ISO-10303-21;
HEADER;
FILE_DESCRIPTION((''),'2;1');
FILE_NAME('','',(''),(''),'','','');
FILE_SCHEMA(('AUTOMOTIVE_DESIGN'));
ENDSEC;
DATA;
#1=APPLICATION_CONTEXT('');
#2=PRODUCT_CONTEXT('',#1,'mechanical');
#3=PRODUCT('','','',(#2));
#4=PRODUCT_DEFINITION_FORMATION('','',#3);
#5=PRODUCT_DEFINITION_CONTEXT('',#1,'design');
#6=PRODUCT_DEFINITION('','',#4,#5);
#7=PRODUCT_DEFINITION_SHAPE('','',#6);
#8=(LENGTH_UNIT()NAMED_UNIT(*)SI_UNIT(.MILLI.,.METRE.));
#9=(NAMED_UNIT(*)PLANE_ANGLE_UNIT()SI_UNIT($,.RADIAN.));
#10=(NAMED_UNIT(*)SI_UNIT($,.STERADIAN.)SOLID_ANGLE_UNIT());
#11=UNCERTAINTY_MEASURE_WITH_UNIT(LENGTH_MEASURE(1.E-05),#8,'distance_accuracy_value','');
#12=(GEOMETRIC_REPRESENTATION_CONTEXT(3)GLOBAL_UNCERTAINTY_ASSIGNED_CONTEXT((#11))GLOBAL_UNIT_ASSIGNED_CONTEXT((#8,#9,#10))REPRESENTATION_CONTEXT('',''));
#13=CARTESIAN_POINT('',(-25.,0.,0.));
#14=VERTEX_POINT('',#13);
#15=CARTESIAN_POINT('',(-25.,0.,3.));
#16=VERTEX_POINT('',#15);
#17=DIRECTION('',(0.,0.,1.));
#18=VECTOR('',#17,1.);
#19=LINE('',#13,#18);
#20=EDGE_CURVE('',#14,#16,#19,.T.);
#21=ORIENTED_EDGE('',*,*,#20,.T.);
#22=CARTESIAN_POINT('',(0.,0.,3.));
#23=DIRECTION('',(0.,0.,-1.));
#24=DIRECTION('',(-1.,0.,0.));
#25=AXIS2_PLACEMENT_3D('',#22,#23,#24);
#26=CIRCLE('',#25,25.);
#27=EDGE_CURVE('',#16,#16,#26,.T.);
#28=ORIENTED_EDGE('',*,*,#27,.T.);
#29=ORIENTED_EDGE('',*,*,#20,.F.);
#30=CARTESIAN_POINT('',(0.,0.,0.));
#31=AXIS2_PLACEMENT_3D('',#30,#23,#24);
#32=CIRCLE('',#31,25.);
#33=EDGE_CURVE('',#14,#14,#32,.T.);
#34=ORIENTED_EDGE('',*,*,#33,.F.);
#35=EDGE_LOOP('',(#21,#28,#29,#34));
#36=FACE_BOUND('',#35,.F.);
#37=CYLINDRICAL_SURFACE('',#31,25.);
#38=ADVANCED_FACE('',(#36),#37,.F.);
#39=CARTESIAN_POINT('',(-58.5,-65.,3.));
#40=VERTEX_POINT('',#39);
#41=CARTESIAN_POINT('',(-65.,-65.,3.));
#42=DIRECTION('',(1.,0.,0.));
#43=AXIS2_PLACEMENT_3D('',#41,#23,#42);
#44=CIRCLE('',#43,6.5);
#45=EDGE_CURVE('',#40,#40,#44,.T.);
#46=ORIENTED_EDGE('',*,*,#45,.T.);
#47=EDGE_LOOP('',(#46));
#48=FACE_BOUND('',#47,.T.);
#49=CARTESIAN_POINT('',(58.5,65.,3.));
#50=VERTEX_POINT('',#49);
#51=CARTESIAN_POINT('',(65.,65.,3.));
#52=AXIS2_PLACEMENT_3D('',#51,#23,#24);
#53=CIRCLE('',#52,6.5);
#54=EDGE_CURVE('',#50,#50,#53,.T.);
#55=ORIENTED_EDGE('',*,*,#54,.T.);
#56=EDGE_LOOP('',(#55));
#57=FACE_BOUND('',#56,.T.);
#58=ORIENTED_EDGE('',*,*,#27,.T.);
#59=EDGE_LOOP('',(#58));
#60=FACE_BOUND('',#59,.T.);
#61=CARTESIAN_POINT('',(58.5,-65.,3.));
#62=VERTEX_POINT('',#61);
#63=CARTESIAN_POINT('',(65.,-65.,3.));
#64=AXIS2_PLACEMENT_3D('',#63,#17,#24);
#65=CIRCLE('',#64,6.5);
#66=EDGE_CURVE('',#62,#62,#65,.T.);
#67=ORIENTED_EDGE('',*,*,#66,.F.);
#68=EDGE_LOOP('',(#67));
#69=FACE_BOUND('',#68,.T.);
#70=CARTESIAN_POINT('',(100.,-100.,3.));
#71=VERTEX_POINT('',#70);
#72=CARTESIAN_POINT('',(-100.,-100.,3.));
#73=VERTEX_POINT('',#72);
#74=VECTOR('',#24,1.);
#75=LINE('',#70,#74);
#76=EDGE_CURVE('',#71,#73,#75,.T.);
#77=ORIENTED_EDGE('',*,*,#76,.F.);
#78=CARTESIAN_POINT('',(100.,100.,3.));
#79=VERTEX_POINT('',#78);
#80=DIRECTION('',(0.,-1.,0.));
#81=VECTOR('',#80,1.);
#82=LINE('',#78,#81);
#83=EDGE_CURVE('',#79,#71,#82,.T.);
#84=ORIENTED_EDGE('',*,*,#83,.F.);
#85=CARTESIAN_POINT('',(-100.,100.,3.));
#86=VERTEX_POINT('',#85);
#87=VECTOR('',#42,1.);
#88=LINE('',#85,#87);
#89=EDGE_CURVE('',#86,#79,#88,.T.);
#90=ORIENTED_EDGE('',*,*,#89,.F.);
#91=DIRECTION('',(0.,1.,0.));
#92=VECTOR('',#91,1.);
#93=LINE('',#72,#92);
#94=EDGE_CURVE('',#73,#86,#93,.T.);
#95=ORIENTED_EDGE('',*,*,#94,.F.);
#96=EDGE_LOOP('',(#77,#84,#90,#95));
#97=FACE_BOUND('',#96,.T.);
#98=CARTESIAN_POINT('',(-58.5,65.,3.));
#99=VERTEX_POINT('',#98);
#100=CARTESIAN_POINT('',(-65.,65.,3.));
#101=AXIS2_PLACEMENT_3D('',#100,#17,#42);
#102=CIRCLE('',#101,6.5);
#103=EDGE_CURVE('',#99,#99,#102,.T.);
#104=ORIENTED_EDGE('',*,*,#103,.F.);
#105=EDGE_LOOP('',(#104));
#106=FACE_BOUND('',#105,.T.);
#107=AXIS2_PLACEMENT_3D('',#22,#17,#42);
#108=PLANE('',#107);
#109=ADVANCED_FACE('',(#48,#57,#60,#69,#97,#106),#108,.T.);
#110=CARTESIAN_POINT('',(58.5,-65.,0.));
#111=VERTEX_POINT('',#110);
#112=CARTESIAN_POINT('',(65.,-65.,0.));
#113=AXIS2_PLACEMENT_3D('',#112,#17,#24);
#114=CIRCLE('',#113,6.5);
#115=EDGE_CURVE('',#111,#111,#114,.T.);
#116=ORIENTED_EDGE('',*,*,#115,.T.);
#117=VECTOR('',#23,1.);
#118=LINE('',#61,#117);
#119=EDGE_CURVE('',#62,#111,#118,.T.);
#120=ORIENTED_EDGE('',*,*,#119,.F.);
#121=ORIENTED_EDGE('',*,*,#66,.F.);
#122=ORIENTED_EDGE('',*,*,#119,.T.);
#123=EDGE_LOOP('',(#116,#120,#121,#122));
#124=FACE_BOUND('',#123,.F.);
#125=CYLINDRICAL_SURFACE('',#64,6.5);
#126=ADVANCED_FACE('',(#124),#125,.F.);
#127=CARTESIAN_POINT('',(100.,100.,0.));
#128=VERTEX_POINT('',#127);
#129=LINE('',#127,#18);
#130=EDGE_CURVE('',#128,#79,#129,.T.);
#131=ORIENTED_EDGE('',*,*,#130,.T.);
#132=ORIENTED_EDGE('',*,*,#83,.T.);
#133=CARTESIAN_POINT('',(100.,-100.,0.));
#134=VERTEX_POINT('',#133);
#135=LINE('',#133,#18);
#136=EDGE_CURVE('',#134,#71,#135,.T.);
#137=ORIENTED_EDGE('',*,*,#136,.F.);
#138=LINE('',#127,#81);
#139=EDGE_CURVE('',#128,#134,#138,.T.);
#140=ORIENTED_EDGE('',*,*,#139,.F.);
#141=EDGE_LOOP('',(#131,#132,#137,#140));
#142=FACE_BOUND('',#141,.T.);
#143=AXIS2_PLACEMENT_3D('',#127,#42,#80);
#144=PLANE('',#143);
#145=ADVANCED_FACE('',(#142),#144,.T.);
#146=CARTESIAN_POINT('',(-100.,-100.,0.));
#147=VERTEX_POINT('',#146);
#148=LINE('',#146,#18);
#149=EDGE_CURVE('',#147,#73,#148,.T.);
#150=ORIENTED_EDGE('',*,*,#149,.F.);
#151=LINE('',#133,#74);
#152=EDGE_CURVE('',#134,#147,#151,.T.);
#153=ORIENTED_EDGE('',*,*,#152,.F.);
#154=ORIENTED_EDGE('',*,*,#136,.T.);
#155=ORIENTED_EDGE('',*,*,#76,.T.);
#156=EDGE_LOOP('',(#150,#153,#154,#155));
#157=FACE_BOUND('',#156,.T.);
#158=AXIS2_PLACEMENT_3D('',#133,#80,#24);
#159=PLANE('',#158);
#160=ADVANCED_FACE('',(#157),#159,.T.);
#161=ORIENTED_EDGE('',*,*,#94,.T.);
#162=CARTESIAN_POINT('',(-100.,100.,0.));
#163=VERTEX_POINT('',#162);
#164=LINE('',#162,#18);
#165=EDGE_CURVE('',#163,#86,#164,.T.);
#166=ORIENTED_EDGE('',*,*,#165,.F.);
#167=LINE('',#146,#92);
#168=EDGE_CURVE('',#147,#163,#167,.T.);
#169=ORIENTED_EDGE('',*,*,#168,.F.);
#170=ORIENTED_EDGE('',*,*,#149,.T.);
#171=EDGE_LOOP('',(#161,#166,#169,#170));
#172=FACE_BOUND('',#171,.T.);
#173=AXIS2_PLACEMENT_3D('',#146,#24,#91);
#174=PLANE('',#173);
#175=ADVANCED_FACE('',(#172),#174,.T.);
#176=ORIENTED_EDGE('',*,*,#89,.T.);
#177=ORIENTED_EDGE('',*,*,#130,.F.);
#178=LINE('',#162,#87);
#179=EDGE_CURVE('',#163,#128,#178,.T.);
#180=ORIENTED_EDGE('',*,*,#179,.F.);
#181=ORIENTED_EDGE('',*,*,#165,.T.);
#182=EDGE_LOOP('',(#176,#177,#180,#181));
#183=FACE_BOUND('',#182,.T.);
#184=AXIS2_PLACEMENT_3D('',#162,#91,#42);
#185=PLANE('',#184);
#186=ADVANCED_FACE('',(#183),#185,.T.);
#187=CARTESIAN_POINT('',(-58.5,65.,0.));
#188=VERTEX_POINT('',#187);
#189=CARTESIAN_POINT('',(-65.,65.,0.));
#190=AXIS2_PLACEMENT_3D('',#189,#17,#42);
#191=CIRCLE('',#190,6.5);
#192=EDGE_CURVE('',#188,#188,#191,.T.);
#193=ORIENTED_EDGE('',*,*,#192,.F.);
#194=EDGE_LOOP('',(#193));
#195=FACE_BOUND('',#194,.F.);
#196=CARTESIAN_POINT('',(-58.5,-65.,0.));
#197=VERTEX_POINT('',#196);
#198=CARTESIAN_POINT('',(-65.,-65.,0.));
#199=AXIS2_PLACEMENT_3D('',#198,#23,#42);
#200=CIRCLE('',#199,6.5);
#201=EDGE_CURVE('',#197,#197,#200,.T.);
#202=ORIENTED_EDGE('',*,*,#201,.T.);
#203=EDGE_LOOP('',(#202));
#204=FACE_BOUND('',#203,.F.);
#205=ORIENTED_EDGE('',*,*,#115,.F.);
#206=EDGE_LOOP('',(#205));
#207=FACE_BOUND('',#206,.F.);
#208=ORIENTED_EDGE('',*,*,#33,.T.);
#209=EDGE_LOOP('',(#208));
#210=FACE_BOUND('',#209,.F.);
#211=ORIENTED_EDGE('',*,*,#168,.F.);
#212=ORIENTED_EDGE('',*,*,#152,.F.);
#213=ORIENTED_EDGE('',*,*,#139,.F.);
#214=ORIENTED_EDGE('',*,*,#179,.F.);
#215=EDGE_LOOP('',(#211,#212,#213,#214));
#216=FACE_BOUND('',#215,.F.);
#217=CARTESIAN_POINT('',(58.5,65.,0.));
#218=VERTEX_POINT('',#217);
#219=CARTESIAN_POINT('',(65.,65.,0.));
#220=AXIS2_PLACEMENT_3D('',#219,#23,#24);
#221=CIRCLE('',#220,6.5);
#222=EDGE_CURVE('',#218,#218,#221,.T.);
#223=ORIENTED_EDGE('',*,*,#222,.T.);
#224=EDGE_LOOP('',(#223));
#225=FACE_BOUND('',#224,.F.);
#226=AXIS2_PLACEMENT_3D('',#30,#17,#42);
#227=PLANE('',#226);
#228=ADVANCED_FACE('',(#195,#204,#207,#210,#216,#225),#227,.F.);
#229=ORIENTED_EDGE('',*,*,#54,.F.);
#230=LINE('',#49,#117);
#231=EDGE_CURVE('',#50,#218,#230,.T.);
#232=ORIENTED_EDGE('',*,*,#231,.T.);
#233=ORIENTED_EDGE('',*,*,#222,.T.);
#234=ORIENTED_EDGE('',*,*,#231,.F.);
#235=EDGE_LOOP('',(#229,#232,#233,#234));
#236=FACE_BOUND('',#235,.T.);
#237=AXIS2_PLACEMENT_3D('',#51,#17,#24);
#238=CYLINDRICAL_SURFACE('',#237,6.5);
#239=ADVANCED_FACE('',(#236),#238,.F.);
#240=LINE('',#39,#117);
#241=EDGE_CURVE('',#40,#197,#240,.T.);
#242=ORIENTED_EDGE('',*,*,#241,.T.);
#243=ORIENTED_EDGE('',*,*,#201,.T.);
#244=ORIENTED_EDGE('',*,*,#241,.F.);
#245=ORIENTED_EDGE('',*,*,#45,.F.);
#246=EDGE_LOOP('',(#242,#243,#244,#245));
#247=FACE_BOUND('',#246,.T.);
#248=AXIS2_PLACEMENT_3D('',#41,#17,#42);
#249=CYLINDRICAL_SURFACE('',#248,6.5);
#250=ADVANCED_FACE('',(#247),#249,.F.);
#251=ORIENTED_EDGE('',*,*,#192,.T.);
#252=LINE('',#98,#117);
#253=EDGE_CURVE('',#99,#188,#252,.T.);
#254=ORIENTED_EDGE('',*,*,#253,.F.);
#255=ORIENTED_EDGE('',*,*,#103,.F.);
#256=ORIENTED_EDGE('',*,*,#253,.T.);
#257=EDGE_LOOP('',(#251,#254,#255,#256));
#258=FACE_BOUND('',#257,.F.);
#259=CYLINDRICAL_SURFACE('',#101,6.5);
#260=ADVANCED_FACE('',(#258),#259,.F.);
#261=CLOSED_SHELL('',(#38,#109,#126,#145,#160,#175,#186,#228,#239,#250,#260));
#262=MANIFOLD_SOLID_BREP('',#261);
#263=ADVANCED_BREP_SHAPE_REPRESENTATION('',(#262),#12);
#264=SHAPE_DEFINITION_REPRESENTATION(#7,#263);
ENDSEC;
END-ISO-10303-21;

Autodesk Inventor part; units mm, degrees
ref_plane "YZ Plane" through (0, 0, 0) normal (1, 0, 0) x (0, 1, 0)
ref_plane "XZ Plane" through (0, 0, 0) normal (0, 1, 0) x (-1, 0, 0)
ref_plane "XY Plane" through (0, 0, 0) normal (0, 0, 1) x (1, 0, 0)
sketch "Sketch1" plane through (0, 0, 0) normal (0, 0, 1) x (1, 0, 0)
  line L0 (-100, 100) -> (100, 100)
  line L1 (100, 100) -> (100, -100)
  line L2 (100, -100) -> (-100, -100)
  line L3 (-100, -100) -> (-100, 100)
  line L4 (-100, 100) -> (100, -100) construction
  line L5 (100, 100) -> (-100, -100) construction
  point P0 (0, 0)
  point P1 (0, 0)
  point P2 (0, 0)
  dimension "d25" = 200
  dimension "d26" = 200
extrude "Plate1" add sketch "Sketch1" along normal blind 3
sketch "Sketch6" plane through (0, 0, 3) normal (0, 0, 1) x (1, 0, 0)
  circle A0 centre (-75, 0) radius 15
  circle A1 centre (75, 0) radius 15
  line L0 (0, 0) -> (0, 55.0725) construction
  dimension "d37" = 30
  dimension "d38" = 150
cut "Cut1" [suppressed]
sketch "Sketch8" plane through (0, 0, 0) normal (1, 0, 0) x (0, 1, 0)
  line L0 (-94.2929, 40) -> (94.2929, 40) projected
  circle A0 centre (0, 30) radius 6.5
  line L1 (89.2929, 5) -> (-89.2929, 5) projected
  point P0 (0, 0)
  dimension "d48" = 13
  dimension "d49" = 25
extrude "Extrusion3" [suppressed]
pattern_linear "Rectangular Pattern2" [suppressed]
sketch "Sketch9" plane through (0, 0, 3) normal (0, 0, 1) x (1, 0, 0)
  circle A0 centre (-65, 65) radius 6.5
  point P0 (0, 0)
  point P1 (-225, 65)
  dimension "d55" = 13
  dimension "d73" = 65
  dimension "d74" = 65
extrude "Cut2" cut sketch "Sketch9" against normal blind 3
mirror "Mirror1" about plane through (0, 0, 0) normal (1, 0, 0) of "Cut2"
mirror "Mirror2" about plane through (0, 0, 0) normal (0, 1, 0) of "Cut2", "Mirror1"
sketch "Sketch10" plane through (0, 0, 0) normal (0, 0, -1) x (-1, 0, 0)
  circle A0 centre (0, 0) radius 25
  dimension "d75" = 50
extrude "Cut3" cut sketch "Sketch10" against normal blind 3
equation "\"d74\" = d73"
equation "\"d26\" = Гриндер_высота"
equation "\"d38\" = Гриндер_Валы_между_центрами"
equation "\"d39\" = Thickness"
equation "\"d48\" = Гриндер_диам_отврс_корпуса"
equation "\"d49\" = Гриндер_отступ_отврс_корпуса"
equation "\"d55\" = Гриндер_диам_отврс_корпуса"
equation "\"d57\" = Thickness"
equation "\"d76\" = Thickness"
equation "\"d2\" = Thickness"
equation "\"BendReliefWidth\" = Thickness"
equation "\"BendReliefDepth\" = 0.5 * Thickness"
equation "\"CornerReliefSize\" = 4 * Thickness"
equation "\"MinimumRemnant\" = 2 * Thickness"
equation "\"TransitionRadius\" = BendRadius"
equation "\"JacobiRadiusSize\" = BendRadius"
equation "\"GapSize\" = Thickness"
equation "\"Гриндер_отступ_отврс_корпуса\" = 25"
equation "\"Гриндер_диам_отврс_корпуса\" = 13"
equation "\"Гриндер_высота\" = 200"
equation "\"Гриндер_Валы_между_центрами\" = 150"
equation "\"Thickness\" = 3"
equation "\"BendRadius\" = 5"
properties part number "NDM-VOS 777 sredder wall 7" material "Stainless Steel"
